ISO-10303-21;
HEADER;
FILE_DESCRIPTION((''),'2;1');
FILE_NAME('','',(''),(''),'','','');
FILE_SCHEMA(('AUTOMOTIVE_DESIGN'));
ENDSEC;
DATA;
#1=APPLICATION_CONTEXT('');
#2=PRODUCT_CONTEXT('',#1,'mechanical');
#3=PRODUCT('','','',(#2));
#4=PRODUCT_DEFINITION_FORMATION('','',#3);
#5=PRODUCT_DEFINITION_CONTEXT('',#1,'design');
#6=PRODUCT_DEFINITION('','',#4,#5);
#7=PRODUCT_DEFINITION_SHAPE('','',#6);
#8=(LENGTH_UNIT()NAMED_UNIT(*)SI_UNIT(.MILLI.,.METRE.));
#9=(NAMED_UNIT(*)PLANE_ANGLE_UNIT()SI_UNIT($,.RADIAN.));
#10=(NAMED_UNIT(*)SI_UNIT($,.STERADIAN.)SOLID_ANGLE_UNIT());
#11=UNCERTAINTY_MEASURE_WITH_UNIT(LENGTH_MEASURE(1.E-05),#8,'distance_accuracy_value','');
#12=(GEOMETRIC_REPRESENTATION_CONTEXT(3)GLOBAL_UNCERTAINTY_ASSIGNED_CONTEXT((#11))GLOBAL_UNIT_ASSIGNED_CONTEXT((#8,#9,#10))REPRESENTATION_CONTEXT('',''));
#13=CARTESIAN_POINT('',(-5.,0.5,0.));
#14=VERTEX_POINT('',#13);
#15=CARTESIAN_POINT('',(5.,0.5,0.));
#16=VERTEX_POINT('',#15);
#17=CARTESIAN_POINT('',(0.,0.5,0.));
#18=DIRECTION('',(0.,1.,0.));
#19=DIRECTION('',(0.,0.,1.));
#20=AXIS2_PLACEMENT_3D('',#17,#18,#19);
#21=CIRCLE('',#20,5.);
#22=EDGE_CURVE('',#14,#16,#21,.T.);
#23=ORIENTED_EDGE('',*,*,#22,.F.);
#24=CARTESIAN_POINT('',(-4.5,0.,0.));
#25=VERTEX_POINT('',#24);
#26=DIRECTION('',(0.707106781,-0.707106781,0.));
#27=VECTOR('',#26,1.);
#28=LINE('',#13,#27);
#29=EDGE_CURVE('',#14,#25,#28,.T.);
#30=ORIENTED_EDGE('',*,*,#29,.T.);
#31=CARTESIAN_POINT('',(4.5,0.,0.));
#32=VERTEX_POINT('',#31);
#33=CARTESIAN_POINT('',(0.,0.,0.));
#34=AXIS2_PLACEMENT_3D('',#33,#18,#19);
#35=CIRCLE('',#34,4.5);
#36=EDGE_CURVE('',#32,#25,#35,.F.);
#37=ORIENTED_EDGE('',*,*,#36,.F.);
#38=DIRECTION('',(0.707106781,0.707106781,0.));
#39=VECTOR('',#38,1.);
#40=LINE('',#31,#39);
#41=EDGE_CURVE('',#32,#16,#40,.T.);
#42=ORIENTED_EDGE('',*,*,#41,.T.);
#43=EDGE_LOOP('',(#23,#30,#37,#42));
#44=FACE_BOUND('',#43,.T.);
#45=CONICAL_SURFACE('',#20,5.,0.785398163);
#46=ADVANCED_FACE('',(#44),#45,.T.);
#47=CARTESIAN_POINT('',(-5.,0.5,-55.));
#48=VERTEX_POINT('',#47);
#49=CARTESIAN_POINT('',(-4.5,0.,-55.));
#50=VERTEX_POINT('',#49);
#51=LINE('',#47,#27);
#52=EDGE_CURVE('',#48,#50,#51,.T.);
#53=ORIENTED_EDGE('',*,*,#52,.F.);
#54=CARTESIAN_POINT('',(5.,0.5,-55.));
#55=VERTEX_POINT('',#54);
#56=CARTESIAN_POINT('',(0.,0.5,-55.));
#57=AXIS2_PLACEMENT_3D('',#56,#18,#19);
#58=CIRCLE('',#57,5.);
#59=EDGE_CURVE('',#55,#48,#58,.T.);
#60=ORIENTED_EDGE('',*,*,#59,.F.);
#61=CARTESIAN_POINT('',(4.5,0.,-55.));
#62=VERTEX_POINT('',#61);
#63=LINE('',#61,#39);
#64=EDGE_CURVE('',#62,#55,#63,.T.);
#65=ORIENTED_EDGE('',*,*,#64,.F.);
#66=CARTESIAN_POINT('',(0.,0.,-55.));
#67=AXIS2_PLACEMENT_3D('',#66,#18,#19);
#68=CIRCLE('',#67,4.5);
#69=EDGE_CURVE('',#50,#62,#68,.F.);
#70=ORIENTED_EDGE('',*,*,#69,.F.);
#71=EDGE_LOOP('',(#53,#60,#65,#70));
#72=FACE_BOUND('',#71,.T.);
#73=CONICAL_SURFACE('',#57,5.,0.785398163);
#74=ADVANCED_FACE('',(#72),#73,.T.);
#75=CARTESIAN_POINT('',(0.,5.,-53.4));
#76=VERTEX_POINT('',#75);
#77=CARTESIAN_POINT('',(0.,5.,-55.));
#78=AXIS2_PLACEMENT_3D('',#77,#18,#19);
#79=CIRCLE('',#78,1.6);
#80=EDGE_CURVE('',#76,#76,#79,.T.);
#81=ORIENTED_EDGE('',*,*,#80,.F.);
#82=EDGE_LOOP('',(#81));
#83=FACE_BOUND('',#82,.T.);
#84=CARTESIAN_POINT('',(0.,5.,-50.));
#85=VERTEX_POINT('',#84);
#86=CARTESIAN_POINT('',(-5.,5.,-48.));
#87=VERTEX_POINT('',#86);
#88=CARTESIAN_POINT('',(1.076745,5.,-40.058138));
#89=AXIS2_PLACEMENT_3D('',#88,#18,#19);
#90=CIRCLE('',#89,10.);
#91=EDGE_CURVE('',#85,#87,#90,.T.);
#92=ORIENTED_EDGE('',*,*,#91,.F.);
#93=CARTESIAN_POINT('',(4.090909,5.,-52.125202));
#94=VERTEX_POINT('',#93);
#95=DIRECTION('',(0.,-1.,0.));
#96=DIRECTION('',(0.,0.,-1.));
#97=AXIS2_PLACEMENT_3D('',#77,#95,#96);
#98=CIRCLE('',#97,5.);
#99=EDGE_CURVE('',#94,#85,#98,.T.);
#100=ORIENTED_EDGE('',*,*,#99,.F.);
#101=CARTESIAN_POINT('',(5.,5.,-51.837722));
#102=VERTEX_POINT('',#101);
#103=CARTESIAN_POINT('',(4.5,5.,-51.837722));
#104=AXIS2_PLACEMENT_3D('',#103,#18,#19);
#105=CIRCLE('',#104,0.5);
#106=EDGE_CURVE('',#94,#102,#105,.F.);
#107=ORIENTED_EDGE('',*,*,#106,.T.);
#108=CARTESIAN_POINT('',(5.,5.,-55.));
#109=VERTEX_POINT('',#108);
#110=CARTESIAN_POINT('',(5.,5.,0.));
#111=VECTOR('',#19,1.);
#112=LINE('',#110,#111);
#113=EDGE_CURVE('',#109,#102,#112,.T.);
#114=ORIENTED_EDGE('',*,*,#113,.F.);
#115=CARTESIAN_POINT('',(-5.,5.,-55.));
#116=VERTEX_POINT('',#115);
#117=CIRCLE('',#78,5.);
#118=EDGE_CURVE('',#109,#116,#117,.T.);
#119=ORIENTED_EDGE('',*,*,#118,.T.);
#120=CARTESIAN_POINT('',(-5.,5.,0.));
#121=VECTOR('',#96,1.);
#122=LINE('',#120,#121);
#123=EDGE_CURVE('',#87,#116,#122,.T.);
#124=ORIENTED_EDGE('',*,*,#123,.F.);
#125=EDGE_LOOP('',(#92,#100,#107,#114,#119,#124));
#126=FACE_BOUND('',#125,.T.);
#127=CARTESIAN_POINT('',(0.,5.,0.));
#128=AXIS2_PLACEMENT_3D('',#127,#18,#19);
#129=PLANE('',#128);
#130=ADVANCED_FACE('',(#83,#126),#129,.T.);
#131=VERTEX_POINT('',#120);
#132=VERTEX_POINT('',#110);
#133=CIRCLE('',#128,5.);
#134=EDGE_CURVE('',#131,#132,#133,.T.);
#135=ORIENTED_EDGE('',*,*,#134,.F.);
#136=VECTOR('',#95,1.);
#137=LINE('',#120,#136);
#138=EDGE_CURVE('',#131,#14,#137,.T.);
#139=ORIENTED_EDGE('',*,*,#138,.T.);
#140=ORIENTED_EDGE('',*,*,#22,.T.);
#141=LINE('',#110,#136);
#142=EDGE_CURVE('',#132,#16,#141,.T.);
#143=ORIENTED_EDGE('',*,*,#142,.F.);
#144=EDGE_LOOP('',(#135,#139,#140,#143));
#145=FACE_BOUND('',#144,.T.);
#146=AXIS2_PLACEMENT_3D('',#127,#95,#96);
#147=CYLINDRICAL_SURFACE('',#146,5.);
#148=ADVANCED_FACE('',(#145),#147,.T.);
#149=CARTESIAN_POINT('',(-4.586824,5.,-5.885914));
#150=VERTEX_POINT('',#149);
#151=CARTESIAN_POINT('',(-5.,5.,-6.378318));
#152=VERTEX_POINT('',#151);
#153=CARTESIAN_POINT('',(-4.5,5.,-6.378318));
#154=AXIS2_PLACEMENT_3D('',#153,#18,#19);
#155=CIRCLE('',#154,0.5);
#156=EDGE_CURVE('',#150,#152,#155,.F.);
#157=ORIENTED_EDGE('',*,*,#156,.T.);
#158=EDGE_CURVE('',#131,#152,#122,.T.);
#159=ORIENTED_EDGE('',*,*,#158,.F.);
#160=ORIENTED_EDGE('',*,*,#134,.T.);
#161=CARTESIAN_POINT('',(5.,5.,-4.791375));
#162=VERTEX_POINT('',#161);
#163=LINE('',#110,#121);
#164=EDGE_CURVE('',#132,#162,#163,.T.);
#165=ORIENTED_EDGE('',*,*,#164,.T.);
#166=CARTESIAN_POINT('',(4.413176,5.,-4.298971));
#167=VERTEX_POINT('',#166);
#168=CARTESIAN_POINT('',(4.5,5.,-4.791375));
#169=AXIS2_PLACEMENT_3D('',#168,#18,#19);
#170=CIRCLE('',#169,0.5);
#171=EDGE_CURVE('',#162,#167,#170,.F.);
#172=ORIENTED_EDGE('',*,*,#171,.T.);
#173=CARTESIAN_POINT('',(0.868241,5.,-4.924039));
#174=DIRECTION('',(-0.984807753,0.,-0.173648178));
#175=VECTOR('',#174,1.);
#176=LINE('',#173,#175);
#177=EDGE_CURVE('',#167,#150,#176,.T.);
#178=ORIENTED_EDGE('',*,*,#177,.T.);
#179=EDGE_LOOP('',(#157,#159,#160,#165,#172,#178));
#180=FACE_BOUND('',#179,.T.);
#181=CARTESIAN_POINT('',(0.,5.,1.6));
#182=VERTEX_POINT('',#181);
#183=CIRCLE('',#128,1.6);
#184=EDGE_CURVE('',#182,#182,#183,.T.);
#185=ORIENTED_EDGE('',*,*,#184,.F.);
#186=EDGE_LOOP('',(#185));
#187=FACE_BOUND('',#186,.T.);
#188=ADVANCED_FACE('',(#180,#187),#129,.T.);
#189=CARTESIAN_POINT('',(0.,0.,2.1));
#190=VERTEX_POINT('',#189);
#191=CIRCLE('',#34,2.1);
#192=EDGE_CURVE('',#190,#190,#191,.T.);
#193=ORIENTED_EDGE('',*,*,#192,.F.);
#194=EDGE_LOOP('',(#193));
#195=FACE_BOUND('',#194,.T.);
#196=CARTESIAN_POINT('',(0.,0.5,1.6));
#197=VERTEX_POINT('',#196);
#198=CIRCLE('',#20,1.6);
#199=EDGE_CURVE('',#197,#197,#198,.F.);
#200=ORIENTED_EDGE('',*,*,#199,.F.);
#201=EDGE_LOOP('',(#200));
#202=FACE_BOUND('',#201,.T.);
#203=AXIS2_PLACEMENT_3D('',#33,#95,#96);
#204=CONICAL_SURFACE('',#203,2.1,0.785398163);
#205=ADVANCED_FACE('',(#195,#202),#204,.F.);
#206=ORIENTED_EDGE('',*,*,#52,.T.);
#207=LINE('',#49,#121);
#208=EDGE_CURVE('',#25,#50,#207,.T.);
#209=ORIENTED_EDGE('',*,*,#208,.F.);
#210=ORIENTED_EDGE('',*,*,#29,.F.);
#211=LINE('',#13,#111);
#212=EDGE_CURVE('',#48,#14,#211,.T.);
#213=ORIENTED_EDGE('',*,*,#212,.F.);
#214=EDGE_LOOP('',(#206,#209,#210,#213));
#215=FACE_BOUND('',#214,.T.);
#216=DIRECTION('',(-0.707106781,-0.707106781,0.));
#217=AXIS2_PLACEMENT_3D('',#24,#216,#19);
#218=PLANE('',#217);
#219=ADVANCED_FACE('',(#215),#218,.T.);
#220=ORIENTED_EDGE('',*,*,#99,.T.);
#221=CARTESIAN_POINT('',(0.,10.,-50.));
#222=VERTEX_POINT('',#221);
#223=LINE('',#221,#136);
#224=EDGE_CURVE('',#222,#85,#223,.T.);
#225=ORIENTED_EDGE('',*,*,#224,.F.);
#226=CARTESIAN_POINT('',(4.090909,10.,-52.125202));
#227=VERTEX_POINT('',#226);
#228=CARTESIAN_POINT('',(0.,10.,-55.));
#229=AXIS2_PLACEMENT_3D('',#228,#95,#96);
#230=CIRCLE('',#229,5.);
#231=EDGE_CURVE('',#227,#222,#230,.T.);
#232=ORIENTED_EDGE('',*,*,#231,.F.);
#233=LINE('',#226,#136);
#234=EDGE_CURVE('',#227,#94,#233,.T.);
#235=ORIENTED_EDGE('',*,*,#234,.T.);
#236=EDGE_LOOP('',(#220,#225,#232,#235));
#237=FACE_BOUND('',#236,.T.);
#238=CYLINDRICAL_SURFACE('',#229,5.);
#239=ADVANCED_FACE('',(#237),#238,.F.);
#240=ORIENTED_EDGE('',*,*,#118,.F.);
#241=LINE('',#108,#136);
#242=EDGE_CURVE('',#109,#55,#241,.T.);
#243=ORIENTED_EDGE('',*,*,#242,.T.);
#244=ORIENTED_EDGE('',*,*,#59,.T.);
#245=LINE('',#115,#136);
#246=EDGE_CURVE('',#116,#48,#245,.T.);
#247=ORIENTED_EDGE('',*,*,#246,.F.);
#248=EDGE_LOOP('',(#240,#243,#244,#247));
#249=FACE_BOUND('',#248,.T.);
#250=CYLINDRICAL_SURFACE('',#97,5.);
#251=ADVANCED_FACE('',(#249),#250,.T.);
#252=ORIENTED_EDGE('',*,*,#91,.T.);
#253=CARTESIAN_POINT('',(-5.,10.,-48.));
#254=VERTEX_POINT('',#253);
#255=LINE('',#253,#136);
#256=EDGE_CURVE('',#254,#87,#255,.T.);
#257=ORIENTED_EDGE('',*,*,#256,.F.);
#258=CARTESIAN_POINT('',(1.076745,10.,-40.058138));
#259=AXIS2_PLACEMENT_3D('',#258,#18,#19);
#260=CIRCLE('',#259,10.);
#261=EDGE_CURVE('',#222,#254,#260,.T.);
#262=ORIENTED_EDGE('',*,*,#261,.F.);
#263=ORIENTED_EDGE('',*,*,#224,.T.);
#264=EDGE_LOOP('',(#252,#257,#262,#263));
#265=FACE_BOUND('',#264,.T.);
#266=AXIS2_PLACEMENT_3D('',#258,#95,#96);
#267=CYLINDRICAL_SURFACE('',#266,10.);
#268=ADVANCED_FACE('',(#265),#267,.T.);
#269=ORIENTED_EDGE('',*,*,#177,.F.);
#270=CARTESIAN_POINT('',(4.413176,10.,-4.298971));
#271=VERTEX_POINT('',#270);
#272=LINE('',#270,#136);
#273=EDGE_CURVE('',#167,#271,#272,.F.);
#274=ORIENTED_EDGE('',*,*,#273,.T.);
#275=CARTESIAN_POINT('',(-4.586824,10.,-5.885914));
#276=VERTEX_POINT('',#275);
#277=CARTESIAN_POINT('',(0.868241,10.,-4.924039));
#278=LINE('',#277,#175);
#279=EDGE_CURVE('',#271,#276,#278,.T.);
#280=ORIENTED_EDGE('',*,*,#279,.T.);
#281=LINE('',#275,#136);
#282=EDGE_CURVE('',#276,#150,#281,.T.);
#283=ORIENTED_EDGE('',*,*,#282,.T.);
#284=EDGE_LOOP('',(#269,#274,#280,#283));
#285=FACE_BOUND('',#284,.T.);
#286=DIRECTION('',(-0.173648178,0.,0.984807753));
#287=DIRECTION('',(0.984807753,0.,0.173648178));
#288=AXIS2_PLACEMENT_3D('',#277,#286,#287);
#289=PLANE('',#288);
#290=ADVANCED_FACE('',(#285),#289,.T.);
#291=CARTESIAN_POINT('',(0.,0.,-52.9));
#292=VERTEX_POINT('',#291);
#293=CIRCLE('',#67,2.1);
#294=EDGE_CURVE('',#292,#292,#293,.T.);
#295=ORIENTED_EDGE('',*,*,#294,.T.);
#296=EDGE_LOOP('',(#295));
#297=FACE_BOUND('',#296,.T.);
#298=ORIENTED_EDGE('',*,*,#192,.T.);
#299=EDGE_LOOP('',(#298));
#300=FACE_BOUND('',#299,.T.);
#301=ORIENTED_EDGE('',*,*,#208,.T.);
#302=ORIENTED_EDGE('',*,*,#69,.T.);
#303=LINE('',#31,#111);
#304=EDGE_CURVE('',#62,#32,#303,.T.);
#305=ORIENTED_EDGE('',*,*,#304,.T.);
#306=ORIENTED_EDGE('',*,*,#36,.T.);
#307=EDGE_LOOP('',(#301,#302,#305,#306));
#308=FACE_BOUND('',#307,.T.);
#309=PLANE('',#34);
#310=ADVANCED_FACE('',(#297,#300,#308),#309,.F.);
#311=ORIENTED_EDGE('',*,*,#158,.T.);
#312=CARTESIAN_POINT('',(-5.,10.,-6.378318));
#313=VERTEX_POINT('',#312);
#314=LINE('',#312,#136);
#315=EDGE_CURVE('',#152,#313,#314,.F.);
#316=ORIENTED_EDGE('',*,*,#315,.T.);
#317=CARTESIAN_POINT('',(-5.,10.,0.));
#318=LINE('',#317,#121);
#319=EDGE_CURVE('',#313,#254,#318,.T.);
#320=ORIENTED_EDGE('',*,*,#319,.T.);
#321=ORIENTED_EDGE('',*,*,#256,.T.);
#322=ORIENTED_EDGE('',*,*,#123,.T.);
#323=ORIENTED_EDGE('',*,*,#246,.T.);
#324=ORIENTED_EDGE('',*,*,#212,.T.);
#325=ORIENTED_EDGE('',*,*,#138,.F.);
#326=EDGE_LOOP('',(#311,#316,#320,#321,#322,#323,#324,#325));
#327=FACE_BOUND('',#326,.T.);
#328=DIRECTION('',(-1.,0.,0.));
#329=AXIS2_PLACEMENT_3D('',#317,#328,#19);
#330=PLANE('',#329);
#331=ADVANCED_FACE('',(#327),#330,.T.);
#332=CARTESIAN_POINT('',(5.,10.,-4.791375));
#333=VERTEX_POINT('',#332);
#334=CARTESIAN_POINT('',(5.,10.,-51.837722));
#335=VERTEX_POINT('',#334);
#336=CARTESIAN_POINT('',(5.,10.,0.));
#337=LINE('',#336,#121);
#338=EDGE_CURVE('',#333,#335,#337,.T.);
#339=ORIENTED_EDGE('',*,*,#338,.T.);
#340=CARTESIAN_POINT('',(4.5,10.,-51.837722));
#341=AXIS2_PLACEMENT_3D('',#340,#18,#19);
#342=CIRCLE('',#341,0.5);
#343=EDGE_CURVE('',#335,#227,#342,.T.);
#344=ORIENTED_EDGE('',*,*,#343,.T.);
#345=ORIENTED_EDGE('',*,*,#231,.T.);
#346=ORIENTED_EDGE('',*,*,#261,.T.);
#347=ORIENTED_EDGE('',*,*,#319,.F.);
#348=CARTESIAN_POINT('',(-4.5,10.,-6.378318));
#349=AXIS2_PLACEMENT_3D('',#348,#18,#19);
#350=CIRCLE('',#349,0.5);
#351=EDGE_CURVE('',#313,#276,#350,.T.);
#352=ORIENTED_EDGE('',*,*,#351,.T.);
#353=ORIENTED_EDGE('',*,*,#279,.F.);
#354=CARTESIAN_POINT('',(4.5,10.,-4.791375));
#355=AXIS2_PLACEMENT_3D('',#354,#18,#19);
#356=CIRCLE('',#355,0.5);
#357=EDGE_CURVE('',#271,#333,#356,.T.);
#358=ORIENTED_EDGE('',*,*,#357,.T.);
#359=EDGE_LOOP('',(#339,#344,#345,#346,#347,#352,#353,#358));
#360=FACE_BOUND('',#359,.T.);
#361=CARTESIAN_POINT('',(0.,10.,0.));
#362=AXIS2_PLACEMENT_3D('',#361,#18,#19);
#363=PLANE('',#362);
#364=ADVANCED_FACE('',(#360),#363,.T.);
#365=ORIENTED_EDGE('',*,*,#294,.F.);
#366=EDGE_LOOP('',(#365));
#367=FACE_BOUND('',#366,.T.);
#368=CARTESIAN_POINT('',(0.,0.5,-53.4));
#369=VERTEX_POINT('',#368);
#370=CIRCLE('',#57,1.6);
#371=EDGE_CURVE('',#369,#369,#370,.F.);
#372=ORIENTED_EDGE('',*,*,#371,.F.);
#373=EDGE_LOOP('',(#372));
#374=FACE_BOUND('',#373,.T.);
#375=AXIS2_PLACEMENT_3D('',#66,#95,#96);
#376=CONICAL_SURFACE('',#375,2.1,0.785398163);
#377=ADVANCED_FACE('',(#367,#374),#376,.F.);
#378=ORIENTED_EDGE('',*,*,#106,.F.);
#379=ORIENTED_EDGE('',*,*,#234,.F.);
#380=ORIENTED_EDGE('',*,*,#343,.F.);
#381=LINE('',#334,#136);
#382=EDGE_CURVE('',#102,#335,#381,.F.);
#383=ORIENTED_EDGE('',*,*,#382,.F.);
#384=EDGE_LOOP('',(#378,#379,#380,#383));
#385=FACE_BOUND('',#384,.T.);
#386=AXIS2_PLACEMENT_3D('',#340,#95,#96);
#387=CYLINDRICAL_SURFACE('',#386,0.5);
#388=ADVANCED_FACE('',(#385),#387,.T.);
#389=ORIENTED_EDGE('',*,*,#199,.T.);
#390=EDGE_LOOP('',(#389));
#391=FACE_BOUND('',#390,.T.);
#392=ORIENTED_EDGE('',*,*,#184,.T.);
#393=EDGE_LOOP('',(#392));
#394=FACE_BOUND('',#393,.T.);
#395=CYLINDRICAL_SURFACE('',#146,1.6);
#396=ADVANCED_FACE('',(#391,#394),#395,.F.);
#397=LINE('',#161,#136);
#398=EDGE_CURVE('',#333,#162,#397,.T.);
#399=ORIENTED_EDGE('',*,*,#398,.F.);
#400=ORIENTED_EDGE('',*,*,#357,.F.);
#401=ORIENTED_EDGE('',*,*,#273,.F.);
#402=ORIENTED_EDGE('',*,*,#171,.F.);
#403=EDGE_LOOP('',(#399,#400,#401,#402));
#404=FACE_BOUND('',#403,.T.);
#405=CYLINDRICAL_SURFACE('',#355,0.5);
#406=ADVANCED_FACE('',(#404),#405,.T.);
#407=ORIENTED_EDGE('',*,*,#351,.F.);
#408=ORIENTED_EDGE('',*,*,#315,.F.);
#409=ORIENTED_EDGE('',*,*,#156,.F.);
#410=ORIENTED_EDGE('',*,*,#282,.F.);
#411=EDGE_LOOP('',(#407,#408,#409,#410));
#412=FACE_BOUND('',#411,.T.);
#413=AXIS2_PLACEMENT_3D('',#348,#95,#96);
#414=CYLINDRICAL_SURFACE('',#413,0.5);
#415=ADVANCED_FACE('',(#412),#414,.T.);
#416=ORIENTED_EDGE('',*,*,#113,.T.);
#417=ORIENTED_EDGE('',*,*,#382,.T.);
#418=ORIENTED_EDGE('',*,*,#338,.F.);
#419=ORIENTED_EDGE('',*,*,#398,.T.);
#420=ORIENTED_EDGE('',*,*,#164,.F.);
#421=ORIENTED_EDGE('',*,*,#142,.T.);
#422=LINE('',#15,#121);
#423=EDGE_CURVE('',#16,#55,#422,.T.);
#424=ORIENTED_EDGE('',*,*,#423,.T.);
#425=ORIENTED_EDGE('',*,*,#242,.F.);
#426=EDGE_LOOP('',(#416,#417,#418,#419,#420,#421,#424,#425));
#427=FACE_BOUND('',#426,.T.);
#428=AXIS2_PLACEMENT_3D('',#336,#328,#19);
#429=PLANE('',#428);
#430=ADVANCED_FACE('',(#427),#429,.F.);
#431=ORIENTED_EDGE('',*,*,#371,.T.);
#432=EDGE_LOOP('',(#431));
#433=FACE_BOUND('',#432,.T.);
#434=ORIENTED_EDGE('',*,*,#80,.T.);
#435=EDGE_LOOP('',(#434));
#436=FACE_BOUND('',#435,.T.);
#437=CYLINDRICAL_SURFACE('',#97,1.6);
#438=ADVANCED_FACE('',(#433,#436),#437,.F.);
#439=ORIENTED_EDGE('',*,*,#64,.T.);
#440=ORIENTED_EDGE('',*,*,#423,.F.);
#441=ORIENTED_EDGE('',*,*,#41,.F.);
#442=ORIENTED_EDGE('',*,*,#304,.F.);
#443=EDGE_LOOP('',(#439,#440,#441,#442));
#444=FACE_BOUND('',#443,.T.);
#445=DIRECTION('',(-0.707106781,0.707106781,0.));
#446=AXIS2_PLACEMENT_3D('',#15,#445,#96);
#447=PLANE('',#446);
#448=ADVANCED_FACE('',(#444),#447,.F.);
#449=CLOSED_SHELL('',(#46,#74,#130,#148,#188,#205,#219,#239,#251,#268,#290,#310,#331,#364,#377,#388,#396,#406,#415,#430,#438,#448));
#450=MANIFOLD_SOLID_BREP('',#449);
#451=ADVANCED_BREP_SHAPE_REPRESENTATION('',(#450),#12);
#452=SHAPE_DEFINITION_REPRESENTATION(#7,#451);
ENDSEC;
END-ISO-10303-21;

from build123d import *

# Parameters (mm, degrees)
CENTER_BODY_DEPTH               = 10
SKETCH1_3_R                     = 1.6
SKETCH1_3_R_2                   = 1.6000000000000003
CONNECTOR_BODY_DEPTH            = 5
MECH_LOCK_LEFT_DEPTH            = 5
DULLING_FILLET_GENERAL_R        = 0.5
ELEPHANTSFOOT_COMPENSATION_SIZE = 0.5
DULLING_FILLET_LEFT_R           = 0.5


with BuildPart() as part:
    # complete_sketch → center_body (new body)
    with BuildSketch(Plane(origin=(0, 0, 0), x_dir=(1, 0, 0), z_dir=(0, 1, 0))):
        Polygon((-5, 47), (-5, 5.958767962971026), (5, 4.195498155886416), (5, 47), align=None)
    extrude(amount=CENTER_BODY_DEPTH)

    # Sketch1<3> → connector_body (add)
    # profile 1 of 2: a face of its own
    with BuildSketch(Plane(origin=(0, 0, 0), x_dir=(1, 0, 0), z_dir=(0, 1, 0))):
        with BuildLine():
            Line((-5, 5.958767962971026), (-5, 0))
            ThreePointArc((-5, 0), (-3.1e-16, -5), (5, -6.1e-16))
            Line((5, 0), (5, 4.195498155886416))
            Line((5, 4.195498155886416), (-5, 5.958767962971026))
        make_face()
        Circle(SKETCH1_3_R, mode=Mode.SUBTRACT)
    # profile 2 of 2: a face of its own
    with BuildSketch(Plane(origin=(0, 0, 0), x_dir=(1, 0, 0), z_dir=(0, 1, 0))):
        with BuildLine():
            Line((-5, 55), (-5, 47))
            Line((-5, 47), (5, 47))
            Line((5.000000000000001, 47), (5, 55))
            ThreePointArc((5, 55), (-1.4e-16, 60), (-5, 55))
        make_face()
        with Locations((0, 55)):
            Circle(SKETCH1_3_R_2, mode=Mode.SUBTRACT)
    extrude(amount=CONNECTOR_BODY_DEPTH)

    # Sketch1 → mech_lock_left (add)
    with BuildSketch(Plane(origin=(0, 5, 0), x_dir=(1, 0, 0), z_dir=(0, 1, 0))):
        with BuildLine():
            Line((-5, 47), (5, 47))
            Line((5, 47), (5, 55))
            ThreePointArc((5, 55), (3.535533905932735, 51.46446609406726), (0, 49.99999999999999))
            ThreePointArc((0, 49.99999999999999), (-2.637161951805669, 49.34290487951417), (-4.999999999999999, 48))
            Line((-4.999999999999999, 48), (-5, 47))
        make_face()
    extrude(amount=MECH_LOCK_LEFT_DEPTH)

    # dulling_fillet_general
    dulling_fillet_general_edges = [part.edges().sort_by_distance(p)[0] for p in [
        (5, 7.5, -4.195498155886416),
        (-5, 7.5, -5.958767962971026),
    ]]
    fillet(dulling_fillet_general_edges, radius=DULLING_FILLET_GENERAL_R)

    # elephantsfoot_compensation
    elephantsfoot_compensation_edges = [part.edges().sort_by_distance(p)[0] for p in [
        (-1.6000000000000003, 0, -55),
        (-1.6, 0, -2e-16),
        (1.4e-16, 0, 5),
        (-1.4e-16, 0, -60),
        (5, 0, -27.5),
        (-5, 0, -27.5),
    ]]
    chamfer(elephantsfoot_compensation_edges, length=ELEPHANTSFOOT_COMPENSATION_SIZE)

    # dulling_fillet_left
    dulling_fillet_left_edges = [part.edges().sort_by_distance(p)[0] for p in [
        (5, 7.5, -55),
    ]]
    fillet(dulling_fillet_left_edges, radius=DULLING_FILLET_LEFT_R)


solid = part.part
